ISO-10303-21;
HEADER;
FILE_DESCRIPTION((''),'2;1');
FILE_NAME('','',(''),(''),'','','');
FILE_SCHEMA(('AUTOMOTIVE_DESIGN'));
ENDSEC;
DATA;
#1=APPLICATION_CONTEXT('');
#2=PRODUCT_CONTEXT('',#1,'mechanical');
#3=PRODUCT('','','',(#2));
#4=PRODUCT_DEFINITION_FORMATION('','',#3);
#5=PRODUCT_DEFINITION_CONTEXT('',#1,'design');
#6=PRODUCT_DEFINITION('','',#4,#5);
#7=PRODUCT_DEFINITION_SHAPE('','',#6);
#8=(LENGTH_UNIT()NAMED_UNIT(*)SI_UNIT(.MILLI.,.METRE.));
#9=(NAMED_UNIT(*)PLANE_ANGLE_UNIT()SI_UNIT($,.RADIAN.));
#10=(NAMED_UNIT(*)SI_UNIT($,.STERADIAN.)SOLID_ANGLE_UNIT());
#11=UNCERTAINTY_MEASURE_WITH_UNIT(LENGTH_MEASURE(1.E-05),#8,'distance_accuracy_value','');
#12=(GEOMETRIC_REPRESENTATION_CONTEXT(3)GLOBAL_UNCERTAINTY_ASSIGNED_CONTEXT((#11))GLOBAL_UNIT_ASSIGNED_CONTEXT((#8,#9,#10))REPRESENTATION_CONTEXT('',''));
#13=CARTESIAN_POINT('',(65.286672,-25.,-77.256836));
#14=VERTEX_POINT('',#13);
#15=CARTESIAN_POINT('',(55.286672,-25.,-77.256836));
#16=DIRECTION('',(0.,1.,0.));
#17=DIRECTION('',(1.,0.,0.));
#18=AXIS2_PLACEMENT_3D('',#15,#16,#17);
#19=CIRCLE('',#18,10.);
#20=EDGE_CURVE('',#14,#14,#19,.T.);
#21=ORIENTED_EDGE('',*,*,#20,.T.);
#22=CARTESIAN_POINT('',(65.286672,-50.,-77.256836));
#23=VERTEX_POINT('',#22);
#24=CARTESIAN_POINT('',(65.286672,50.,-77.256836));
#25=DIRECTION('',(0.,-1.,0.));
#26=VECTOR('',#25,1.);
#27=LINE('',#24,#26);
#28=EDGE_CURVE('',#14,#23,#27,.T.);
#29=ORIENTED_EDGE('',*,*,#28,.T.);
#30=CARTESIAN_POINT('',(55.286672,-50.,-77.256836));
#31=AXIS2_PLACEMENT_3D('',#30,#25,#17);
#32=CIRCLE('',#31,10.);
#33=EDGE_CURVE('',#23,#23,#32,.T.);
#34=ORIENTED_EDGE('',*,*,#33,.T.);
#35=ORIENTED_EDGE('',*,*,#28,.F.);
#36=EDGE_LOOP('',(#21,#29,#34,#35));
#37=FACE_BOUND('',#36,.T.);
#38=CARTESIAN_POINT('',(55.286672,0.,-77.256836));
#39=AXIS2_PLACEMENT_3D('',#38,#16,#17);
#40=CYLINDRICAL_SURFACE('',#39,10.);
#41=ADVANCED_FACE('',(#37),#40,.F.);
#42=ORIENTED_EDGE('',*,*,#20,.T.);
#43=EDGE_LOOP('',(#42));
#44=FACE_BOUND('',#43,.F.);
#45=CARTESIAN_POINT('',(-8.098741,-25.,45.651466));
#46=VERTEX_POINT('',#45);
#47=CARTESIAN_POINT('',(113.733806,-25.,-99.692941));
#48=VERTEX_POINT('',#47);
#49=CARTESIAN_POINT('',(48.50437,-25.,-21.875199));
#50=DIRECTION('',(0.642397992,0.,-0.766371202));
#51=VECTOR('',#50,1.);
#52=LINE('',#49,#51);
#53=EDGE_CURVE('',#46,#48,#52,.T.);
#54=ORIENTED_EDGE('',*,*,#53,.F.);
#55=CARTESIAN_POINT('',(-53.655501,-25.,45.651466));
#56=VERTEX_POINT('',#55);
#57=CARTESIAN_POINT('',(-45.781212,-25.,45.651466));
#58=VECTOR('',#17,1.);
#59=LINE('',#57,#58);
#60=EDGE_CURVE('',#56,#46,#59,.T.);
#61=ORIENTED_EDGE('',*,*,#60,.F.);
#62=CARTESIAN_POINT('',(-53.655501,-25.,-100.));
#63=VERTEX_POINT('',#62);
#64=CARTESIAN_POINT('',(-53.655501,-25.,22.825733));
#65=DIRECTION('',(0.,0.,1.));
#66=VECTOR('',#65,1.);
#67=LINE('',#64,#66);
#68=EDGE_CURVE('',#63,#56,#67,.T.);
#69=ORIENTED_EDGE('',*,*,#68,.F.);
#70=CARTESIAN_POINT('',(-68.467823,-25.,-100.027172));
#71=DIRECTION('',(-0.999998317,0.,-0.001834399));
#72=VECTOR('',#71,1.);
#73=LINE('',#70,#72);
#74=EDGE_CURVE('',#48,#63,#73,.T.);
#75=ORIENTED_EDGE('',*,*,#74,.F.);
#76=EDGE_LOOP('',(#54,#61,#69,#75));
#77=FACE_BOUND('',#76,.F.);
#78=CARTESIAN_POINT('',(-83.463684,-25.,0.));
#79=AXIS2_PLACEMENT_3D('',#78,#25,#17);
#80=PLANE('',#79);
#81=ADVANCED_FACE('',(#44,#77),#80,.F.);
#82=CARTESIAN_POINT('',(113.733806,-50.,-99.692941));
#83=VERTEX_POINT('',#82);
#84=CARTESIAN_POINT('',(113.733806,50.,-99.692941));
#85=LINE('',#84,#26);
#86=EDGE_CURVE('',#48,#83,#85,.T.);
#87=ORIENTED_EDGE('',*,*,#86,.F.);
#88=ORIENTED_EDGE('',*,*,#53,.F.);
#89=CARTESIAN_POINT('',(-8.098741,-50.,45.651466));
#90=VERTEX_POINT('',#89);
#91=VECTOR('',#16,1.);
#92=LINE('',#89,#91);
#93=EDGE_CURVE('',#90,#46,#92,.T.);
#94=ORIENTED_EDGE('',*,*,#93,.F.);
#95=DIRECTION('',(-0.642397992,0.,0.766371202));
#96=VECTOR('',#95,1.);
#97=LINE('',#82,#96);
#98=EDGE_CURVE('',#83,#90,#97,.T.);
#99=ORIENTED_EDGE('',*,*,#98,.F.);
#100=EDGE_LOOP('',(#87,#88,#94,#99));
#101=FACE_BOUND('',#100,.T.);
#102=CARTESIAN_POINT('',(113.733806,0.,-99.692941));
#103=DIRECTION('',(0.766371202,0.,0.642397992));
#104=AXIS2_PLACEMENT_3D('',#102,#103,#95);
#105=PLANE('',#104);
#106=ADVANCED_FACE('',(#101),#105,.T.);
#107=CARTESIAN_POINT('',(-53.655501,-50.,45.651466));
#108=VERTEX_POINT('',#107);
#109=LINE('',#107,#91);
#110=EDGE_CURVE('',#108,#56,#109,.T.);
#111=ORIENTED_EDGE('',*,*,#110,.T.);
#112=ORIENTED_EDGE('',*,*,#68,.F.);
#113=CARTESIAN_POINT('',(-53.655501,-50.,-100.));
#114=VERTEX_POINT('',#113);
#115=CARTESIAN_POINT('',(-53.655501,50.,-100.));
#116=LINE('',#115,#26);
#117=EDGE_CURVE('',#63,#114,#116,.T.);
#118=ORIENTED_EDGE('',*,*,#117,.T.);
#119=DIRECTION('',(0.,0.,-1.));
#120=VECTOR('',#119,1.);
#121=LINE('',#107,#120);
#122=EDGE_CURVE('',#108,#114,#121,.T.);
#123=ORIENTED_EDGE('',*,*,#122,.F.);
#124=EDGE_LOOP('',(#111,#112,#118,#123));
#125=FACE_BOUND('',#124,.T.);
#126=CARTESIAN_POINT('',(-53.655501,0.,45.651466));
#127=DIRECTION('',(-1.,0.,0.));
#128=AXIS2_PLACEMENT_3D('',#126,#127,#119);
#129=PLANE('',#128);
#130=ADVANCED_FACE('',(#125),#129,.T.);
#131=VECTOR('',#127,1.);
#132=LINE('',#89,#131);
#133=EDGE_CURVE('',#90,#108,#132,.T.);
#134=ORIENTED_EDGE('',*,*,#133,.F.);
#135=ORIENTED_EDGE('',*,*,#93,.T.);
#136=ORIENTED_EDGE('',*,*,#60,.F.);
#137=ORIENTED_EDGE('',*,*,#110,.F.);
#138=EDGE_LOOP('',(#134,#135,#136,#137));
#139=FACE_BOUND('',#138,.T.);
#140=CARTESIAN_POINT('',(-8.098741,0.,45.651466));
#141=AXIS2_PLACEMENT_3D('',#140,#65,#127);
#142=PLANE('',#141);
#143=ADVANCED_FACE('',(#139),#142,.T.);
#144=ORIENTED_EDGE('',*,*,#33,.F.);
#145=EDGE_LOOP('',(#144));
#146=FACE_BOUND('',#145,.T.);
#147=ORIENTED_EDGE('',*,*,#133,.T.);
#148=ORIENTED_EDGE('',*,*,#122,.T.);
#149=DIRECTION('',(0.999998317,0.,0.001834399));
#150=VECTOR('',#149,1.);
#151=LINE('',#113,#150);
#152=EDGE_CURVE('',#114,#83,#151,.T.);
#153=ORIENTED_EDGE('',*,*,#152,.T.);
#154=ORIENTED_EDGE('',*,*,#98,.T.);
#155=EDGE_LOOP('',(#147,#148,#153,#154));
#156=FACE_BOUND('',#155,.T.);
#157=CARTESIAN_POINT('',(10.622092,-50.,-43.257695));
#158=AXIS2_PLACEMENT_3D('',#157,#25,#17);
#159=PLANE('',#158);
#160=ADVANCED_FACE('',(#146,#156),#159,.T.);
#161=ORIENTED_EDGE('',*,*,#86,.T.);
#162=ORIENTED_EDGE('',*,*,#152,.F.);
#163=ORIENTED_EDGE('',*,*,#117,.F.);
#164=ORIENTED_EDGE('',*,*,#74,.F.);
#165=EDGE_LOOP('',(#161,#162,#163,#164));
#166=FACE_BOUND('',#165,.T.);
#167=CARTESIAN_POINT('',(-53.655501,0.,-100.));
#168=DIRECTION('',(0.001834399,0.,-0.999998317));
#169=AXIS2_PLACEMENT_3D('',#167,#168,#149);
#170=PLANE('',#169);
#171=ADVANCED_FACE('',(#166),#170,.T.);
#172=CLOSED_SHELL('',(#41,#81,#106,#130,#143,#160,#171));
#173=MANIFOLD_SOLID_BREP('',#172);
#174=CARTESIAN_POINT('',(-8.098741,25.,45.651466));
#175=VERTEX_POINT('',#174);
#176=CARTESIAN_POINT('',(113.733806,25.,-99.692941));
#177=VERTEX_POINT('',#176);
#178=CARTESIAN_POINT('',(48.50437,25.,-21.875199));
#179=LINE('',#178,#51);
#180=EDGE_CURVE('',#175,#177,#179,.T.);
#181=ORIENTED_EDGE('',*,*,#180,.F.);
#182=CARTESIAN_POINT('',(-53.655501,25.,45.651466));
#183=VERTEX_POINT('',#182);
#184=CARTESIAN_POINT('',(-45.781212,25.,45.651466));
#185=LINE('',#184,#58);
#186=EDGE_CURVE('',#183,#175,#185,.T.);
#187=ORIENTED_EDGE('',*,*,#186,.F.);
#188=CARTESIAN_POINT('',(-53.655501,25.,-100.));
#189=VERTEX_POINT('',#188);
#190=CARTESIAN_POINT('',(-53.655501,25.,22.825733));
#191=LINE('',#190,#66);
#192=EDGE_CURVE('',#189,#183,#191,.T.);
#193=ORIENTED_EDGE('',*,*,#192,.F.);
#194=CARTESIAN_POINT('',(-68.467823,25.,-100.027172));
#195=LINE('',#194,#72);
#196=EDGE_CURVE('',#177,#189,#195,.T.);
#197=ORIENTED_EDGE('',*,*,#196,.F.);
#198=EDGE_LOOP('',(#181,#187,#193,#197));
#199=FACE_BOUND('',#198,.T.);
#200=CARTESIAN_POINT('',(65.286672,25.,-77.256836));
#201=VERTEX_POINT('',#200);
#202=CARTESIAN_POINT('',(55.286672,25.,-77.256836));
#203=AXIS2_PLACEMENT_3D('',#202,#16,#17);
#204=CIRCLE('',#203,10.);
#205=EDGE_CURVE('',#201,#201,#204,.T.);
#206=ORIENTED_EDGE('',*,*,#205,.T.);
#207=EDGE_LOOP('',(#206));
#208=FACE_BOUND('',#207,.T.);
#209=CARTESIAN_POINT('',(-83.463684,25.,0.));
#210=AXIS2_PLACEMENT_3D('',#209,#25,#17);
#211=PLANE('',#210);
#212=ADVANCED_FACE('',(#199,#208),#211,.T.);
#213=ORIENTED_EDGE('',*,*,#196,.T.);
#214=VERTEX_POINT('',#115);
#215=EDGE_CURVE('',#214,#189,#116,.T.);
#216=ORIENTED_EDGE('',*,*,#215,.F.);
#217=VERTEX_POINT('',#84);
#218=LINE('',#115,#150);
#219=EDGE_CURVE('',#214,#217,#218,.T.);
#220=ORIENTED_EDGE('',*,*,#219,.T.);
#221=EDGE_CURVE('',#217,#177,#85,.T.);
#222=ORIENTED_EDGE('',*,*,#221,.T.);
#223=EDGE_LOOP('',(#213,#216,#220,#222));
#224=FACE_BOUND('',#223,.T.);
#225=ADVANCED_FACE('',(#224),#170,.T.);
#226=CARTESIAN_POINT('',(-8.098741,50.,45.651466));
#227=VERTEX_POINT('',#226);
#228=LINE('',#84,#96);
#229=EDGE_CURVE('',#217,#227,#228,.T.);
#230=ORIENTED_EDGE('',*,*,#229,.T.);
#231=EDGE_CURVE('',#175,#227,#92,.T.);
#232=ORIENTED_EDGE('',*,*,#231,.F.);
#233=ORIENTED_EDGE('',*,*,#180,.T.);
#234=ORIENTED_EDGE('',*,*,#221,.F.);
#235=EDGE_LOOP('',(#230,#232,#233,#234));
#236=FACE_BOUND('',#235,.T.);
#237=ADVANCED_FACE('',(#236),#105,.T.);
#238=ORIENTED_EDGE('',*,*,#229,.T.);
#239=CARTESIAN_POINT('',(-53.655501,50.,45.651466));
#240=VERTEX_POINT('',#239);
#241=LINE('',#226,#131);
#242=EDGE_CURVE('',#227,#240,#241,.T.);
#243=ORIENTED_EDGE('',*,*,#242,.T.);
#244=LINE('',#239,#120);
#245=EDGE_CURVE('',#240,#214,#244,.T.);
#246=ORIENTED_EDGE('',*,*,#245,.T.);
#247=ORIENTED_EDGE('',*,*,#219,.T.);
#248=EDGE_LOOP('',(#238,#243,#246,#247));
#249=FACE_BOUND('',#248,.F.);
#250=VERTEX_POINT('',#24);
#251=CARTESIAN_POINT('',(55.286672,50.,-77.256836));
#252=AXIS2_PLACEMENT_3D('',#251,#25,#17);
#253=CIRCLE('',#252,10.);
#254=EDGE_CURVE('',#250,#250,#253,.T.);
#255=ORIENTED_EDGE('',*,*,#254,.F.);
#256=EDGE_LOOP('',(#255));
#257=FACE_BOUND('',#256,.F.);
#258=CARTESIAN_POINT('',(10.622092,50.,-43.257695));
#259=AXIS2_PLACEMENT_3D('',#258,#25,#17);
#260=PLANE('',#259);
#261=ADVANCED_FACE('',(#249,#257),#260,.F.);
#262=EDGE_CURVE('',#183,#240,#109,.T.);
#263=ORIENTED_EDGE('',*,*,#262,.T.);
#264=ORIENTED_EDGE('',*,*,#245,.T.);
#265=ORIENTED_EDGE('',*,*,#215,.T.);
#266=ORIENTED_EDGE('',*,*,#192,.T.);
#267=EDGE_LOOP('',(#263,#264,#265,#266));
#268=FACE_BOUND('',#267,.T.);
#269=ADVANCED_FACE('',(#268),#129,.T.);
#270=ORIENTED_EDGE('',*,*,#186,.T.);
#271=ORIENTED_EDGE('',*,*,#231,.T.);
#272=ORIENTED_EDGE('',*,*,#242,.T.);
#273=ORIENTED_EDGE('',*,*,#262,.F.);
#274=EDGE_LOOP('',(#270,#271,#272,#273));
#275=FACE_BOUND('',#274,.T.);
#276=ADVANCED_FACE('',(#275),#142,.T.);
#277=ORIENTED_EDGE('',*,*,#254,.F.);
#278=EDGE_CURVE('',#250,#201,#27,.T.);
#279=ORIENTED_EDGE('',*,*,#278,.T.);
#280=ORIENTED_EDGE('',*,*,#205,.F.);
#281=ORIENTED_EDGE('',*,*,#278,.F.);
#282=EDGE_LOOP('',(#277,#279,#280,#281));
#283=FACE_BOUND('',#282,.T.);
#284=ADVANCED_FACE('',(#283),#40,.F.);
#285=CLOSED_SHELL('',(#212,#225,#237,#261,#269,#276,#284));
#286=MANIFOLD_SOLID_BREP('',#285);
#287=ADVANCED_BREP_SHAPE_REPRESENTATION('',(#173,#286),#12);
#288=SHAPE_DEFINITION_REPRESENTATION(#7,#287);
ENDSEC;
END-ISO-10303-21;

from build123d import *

# Parameters (mm, degrees)
F0_R     = 10
F1_DEPTH = 50
F2_DEPTH = 45
F3_W     = 200
F3_H     = 50
F4_DEPTH = 200


with BuildPart() as f1:
    # F0 (on Front) → F1 (new body, symmetric)
    with BuildSketch(Plane.XZ):
        Polygon((-53.655501008, 45.6514658559), (-53.655501008, -100), (113.733805716, -99.692940712), (-8.0987406167, 45.6514658559), align=None)
        with Locations((55.2866719663, -77.2568359971)):
            Circle(F0_R, mode=Mode.SUBTRACT)
    extrude(amount=F1_DEPTH, both=True)

    # F0 (on Front) → F2 (join, symmetric)
    with BuildSketch(Plane.XZ):
        Polygon((-53.655501008, 45.6514658559), (-53.655501008, -100), (113.733805716, -99.692940712), (-8.0987406167, 45.6514658559), align=None)
        with Locations((55.2866719663, -77.2568359971)):
            Circle(F0_R, mode=Mode.SUBTRACT)
    extrude(amount=F2_DEPTH, both=True)

    # F3 (on Top) → F4 (cut, symmetric)
    with BuildSketch(Plane.XY):
        with Locations((16.5363159031, 0)):
            Rectangle(F3_W, F3_H)
    extrude(amount=F4_DEPTH, both=True, mode=Mode.SUBTRACT)


solid = f1.part
